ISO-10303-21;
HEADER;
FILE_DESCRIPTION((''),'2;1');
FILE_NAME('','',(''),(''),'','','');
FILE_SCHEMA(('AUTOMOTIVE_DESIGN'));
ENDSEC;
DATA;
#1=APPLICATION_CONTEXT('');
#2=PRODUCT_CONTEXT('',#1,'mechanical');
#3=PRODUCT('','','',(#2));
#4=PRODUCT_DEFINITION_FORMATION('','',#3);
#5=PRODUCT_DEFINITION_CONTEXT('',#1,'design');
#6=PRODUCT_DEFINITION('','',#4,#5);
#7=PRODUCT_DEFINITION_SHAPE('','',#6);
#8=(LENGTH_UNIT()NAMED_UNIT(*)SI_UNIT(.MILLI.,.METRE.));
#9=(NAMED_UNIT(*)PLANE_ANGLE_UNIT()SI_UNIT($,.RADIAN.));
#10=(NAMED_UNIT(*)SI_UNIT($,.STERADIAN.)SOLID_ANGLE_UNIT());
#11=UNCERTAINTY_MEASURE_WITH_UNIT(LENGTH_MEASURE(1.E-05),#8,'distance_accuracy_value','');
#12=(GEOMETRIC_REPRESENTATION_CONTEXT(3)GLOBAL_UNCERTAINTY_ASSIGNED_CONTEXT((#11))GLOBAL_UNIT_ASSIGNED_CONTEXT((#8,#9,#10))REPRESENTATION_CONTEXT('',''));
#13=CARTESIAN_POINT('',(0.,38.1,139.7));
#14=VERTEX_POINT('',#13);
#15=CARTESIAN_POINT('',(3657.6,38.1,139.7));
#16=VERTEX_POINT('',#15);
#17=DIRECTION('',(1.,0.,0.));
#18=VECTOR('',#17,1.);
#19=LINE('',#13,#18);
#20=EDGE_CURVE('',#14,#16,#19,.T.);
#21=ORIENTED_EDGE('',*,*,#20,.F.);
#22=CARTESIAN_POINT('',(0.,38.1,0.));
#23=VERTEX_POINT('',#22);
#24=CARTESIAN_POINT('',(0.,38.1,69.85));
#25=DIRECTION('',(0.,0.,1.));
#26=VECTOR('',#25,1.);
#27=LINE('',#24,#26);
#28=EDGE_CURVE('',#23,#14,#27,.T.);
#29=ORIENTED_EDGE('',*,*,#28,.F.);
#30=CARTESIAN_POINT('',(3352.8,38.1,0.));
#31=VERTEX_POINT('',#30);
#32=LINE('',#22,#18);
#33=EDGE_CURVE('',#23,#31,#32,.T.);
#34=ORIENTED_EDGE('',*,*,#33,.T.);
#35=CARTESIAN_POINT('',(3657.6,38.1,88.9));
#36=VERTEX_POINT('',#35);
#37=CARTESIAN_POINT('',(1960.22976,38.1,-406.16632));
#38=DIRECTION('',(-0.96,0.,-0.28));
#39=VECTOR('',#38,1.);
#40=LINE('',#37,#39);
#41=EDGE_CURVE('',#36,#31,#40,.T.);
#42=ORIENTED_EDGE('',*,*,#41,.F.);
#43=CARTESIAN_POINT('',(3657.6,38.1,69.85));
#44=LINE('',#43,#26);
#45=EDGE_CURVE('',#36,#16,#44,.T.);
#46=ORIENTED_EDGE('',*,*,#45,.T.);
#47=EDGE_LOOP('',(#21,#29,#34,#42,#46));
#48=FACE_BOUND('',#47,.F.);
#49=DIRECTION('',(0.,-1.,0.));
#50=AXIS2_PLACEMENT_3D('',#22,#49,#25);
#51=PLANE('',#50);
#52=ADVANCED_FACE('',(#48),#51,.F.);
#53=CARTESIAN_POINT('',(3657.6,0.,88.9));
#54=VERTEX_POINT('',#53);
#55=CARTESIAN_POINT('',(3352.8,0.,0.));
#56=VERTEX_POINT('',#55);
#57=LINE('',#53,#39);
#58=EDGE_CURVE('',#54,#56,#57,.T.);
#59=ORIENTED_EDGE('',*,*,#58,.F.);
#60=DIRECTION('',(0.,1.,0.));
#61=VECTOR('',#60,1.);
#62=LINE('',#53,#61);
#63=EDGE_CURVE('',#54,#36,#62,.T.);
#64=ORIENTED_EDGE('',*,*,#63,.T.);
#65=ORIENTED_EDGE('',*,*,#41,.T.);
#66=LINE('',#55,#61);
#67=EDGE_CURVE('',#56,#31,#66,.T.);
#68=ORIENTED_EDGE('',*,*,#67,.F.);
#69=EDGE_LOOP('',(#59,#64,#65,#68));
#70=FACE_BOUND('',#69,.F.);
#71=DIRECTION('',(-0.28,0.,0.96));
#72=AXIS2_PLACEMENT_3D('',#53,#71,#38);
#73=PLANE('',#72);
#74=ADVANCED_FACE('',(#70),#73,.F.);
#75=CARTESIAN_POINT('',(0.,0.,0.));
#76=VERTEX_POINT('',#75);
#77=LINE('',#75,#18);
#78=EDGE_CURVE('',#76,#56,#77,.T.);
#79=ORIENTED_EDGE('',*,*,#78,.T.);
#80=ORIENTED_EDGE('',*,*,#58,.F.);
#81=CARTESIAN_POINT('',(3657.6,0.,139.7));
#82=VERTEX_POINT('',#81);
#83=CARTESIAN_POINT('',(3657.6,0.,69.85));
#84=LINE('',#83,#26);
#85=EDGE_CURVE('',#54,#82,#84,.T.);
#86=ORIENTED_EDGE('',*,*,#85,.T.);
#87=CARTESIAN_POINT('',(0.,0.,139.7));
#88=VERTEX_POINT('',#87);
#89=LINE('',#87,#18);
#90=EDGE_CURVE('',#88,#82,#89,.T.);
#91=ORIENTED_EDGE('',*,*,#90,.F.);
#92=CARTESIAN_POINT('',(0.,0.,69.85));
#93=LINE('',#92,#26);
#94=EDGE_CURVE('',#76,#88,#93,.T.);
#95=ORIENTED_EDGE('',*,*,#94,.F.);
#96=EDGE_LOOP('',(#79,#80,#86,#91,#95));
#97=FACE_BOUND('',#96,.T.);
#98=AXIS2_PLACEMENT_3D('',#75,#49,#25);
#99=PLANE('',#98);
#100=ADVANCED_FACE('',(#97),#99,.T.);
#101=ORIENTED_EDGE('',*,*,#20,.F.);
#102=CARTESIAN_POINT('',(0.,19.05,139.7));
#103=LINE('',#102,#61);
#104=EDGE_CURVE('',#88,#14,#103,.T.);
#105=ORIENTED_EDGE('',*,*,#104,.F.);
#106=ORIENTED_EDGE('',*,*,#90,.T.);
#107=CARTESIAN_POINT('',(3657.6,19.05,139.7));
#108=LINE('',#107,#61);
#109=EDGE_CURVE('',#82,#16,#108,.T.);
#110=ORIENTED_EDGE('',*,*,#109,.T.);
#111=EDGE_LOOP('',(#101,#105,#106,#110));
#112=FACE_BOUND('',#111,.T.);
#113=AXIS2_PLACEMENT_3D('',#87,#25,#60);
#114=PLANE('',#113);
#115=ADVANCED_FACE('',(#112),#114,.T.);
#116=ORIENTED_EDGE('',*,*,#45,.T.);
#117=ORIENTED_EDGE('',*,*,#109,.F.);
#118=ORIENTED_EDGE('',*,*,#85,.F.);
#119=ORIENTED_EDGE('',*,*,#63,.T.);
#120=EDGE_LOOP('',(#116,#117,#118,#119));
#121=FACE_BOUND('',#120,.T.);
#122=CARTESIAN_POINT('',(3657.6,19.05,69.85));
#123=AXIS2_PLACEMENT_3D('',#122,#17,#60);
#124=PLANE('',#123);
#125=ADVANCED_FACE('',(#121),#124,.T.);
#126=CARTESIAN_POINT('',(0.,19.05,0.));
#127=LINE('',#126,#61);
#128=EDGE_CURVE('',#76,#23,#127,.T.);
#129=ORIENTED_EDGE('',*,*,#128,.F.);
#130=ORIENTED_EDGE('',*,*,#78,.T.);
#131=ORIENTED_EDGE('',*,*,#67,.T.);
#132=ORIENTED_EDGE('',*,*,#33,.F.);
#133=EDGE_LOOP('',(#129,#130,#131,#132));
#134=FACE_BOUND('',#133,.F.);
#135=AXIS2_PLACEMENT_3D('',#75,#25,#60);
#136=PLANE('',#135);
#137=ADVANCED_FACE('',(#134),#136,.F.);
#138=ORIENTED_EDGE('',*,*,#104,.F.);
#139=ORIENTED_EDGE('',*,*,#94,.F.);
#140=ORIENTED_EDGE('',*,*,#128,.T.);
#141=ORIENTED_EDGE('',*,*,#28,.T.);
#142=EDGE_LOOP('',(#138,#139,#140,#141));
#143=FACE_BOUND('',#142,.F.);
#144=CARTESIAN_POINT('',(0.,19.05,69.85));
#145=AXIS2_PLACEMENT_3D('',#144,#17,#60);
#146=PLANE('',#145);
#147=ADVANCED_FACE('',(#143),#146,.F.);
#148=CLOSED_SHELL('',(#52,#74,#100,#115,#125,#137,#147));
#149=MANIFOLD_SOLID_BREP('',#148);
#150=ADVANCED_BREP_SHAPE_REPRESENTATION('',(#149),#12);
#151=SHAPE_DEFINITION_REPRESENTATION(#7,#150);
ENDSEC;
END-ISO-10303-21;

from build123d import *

# Parameters (mm, degrees)
F0_W     = 38.1
F0_H     = 139.7
F1_DEPTH = 3657.6
F3_DEPTH = 38.101


with BuildPart() as f1:
    # F0 (on Right) → F1 (new body)
    with BuildSketch(Plane.YZ):
        with Locations((19.05, 69.85)):
            Rectangle(F0_W, F0_H)
    extrude(amount=F1_DEPTH)

    # F2 (on face) → F3 (cut, through all)
    with BuildSketch(Plane.XZ):
        Polygon((3352.8, 0), (3657.6, 0), (3657.6, 88.9), align=None)
    extrude(amount=-F3_DEPTH, mode=Mode.SUBTRACT)


solid = f1.part
